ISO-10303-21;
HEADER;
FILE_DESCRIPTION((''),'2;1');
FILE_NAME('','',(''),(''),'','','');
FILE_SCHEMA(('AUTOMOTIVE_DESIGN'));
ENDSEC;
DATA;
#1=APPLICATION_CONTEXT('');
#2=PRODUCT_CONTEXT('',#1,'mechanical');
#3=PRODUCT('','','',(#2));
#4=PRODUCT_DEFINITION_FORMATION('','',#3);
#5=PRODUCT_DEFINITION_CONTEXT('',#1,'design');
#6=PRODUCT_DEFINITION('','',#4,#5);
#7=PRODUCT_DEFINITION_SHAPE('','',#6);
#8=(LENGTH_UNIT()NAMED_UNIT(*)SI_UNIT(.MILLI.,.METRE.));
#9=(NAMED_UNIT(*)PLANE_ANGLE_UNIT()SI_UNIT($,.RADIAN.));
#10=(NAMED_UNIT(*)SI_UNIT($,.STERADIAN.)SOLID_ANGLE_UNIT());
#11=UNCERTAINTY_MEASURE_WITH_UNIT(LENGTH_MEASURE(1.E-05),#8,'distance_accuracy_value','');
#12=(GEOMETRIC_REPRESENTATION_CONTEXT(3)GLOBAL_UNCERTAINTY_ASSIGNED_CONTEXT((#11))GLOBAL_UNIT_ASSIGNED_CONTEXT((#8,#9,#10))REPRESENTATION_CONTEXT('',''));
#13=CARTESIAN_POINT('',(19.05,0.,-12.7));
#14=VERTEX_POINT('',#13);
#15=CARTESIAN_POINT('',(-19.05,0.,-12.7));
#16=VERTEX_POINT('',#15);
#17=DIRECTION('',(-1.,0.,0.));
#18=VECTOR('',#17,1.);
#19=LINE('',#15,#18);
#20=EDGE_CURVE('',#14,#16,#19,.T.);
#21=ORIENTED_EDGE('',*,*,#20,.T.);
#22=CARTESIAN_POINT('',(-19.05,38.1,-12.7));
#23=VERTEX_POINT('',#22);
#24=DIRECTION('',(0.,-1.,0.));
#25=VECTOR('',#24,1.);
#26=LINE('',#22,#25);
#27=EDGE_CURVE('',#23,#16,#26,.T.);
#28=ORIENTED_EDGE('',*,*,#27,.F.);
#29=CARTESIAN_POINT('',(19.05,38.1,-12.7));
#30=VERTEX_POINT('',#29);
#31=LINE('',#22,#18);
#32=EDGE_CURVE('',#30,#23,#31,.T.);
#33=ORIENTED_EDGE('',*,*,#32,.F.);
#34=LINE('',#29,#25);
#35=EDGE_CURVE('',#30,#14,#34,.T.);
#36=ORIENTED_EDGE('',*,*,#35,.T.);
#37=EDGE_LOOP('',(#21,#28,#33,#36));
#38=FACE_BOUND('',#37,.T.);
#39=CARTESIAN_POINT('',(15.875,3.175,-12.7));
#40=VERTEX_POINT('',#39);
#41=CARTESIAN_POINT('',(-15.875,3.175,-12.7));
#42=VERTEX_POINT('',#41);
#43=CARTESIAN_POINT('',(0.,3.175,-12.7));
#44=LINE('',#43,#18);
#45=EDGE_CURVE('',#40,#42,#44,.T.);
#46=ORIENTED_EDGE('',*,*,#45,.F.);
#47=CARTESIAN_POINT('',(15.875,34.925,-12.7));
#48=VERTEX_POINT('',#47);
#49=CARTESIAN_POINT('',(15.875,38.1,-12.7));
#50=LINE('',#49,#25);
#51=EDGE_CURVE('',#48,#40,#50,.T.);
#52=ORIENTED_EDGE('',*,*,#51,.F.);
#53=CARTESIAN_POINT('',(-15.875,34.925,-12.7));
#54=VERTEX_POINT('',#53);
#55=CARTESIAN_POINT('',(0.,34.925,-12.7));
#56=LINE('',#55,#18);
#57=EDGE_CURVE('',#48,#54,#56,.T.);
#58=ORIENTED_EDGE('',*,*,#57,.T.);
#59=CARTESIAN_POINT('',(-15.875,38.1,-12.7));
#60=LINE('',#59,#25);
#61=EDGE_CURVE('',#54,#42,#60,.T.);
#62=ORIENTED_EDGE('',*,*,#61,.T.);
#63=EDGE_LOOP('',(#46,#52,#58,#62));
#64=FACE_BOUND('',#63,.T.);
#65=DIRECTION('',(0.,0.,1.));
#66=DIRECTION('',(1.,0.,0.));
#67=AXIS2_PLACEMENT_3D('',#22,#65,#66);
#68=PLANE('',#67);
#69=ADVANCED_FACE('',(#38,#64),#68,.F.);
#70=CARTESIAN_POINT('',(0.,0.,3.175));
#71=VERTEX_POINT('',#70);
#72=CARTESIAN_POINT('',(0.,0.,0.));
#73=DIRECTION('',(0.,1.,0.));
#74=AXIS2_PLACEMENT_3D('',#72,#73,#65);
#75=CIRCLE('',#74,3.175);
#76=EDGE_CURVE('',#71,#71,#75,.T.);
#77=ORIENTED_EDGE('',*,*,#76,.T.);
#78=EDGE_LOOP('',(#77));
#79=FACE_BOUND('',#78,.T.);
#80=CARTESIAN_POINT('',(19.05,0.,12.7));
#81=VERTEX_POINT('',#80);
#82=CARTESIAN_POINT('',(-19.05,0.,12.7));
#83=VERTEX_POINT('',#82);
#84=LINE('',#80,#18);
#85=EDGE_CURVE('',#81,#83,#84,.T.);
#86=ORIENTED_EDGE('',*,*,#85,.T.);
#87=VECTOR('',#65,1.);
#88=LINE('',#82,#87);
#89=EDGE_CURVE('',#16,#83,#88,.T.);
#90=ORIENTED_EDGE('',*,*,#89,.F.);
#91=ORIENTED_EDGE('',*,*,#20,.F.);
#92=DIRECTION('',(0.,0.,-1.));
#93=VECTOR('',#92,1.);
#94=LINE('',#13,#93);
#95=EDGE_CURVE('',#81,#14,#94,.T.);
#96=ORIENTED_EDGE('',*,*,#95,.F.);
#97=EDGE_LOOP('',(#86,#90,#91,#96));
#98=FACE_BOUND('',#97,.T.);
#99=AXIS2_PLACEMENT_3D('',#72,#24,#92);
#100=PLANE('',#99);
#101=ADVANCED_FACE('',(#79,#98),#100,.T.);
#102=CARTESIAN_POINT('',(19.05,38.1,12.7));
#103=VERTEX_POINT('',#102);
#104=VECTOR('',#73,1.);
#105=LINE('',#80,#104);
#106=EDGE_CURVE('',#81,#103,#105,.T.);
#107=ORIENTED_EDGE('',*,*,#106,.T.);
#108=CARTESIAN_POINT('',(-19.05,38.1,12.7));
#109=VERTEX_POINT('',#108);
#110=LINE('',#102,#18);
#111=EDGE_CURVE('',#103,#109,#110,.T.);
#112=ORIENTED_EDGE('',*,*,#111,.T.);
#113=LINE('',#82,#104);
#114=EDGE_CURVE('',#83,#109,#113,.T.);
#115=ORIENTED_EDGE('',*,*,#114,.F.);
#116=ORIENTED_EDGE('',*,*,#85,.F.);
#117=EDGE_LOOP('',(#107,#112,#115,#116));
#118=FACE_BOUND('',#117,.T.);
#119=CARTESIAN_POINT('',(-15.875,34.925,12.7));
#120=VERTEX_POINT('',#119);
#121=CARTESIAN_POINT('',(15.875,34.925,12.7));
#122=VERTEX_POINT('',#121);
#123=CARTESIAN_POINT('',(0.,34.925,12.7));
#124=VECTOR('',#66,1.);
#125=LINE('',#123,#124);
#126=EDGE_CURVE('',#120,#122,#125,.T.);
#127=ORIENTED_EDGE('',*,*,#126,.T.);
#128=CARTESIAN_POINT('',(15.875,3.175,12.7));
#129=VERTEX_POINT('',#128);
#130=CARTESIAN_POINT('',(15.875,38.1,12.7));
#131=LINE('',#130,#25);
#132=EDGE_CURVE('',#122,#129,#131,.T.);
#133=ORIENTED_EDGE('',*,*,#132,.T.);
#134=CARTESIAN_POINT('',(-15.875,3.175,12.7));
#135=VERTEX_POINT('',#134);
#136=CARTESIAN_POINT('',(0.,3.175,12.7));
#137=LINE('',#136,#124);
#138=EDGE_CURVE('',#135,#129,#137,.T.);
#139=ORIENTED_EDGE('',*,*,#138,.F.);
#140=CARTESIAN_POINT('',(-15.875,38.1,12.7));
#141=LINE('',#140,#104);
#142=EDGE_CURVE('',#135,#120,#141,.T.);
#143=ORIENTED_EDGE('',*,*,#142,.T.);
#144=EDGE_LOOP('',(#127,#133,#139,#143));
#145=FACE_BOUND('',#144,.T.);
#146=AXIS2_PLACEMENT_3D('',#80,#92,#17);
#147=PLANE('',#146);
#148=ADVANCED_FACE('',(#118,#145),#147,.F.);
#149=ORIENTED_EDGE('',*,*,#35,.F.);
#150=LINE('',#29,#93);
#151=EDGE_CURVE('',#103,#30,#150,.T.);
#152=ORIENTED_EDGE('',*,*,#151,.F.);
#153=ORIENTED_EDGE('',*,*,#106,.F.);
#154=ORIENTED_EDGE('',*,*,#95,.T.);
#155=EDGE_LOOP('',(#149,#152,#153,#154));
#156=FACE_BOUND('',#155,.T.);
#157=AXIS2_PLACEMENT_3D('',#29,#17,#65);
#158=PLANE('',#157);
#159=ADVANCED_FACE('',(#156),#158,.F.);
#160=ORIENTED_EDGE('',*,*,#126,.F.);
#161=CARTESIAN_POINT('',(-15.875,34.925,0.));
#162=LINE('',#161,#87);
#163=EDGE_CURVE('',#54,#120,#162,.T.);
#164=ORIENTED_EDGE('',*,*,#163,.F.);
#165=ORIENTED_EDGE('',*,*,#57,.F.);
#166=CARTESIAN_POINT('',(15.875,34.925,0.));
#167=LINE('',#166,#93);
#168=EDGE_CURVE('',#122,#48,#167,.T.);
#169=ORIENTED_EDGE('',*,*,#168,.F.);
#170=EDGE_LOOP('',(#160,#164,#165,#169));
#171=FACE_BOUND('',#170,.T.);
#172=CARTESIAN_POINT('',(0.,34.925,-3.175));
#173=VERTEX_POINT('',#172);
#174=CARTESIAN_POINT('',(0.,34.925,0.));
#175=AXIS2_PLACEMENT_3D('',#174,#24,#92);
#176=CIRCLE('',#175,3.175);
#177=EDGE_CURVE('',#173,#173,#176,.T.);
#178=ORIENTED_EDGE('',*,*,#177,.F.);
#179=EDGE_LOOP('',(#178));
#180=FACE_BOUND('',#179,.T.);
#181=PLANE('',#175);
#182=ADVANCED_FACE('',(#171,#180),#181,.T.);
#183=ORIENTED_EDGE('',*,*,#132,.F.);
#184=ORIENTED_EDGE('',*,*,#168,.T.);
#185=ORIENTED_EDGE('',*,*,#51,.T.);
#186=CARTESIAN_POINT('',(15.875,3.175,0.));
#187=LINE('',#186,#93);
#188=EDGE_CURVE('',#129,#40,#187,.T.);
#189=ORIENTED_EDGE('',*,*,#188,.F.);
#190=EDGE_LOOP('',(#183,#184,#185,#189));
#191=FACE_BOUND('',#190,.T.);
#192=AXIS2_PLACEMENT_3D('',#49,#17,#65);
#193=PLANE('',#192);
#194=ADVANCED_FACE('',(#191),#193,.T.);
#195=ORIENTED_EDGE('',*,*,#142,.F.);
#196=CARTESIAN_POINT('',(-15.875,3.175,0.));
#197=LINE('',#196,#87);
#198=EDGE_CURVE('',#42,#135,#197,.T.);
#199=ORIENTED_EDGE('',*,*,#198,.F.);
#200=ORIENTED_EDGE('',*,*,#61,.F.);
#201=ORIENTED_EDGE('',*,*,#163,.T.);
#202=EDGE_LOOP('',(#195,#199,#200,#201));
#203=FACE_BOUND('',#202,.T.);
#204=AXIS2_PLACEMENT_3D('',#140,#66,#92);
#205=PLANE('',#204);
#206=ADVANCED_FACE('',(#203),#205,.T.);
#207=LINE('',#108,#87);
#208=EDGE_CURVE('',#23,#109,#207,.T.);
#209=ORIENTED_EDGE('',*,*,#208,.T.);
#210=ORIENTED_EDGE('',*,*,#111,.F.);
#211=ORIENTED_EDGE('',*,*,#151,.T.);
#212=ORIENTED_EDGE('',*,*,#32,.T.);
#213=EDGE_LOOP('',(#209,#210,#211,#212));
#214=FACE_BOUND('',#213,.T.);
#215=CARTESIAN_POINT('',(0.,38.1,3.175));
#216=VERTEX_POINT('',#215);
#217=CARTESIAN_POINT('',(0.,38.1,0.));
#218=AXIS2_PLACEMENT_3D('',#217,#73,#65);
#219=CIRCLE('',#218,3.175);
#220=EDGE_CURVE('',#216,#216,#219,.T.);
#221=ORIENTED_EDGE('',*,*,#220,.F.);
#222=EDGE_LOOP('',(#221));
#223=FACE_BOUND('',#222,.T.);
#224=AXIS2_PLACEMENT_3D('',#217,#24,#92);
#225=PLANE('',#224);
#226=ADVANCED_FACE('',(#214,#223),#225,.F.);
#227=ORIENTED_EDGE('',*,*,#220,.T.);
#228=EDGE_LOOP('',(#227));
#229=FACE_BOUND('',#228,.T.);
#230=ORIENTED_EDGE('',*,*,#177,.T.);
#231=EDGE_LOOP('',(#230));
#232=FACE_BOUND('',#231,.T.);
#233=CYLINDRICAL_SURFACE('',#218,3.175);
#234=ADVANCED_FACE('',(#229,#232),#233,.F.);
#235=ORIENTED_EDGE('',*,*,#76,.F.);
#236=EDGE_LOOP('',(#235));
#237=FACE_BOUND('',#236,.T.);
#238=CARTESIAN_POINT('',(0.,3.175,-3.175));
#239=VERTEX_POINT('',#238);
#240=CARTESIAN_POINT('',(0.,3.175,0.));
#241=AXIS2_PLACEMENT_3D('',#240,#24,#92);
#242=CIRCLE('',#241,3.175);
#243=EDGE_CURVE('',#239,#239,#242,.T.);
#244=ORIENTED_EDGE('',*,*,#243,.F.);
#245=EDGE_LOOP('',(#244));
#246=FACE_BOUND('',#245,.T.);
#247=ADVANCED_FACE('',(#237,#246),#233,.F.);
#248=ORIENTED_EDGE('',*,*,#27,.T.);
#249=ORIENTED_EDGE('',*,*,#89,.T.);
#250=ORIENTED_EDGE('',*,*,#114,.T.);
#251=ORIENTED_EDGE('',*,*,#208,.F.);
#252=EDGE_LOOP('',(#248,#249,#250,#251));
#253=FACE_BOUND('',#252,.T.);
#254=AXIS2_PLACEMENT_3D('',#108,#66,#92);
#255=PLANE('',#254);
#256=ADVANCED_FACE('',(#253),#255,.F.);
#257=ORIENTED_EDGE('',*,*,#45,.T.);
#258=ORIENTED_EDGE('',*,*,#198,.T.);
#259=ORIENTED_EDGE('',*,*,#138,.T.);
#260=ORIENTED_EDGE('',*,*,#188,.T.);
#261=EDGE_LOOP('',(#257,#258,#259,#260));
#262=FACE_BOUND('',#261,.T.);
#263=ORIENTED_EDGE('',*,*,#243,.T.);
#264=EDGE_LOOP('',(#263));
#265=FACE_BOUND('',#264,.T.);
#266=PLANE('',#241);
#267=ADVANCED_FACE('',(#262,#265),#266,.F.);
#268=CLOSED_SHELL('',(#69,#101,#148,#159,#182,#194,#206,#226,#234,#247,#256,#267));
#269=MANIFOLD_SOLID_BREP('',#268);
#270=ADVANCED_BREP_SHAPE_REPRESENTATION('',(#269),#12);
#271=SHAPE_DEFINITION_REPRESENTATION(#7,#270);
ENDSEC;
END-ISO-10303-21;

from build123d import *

# Parameters (mm, degrees)
SKETCH1_W        = 38.1
SKETCH1_H        = 25.4
EXTRUSION1_DEPTH = 38.1
SHELL1_T         = -3.175
HOLE1_D          = 6.35
SKETCH4_W        = 38.1
SKETCH4_H        = 38.1
SKETCH4_W_2      = 31.75
SKETCH4_H_2      = 31.75
EXTRUSION2_DEPTH = 5.3848
SKETCH5_W        = 38.1
SKETCH5_H        = 5.3848
EXTRUSION3_DEPTH = 38.1


with BuildPart() as part:
    # Sketch1 → Extrusion1 (new body)
    with BuildSketch(Plane(origin=(0, 0, 0), x_dir=(-1, 0, 0), z_dir=(0, 1, 0))):
        Rectangle(SKETCH1_W, SKETCH1_H)
    extrude(amount=EXTRUSION1_DEPTH)

    # Shell1
    shell1_openings = [part.faces().sort_by_distance(p)[0] for p in [
        (0, 19.05, 12.7),
        (0, 19.05, -12.7),
    ]]
    offset(amount=SHELL1_T, openings=shell1_openings, kind=Kind.INTERSECTION)

    # Hole1 (through all)
    with Locations(Plane(origin=(0, 38.1, 0), x_dir=(1, 0, 0), z_dir=(0, 1, 0))):
        with Locations((0, 0)):
            Hole(HOLE1_D / 2)

    # Sketch4 → Extrusion2 (add)
    with BuildSketch(Plane.XY.offset(12.7)):
        with Locations((0, 19.05)):
            Rectangle(SKETCH4_W, SKETCH4_H)
        with Locations((0, 19.05)):
            Rectangle(SKETCH4_W_2, SKETCH4_H_2, mode=Mode.SUBTRACT)
    extrude(amount=EXTRUSION2_DEPTH)

    # Sketch5 → Extrusion3 (cut)
    with BuildSketch(Plane(origin=(0, 38.1, 0), x_dir=(1, 0, 0), z_dir=(0, 1, 0))):
        with Locations((0, -15.3924)):
            Rectangle(SKETCH5_W, SKETCH5_H)
    extrude(amount=-EXTRUSION3_DEPTH, mode=Mode.SUBTRACT)


solid = part.part
